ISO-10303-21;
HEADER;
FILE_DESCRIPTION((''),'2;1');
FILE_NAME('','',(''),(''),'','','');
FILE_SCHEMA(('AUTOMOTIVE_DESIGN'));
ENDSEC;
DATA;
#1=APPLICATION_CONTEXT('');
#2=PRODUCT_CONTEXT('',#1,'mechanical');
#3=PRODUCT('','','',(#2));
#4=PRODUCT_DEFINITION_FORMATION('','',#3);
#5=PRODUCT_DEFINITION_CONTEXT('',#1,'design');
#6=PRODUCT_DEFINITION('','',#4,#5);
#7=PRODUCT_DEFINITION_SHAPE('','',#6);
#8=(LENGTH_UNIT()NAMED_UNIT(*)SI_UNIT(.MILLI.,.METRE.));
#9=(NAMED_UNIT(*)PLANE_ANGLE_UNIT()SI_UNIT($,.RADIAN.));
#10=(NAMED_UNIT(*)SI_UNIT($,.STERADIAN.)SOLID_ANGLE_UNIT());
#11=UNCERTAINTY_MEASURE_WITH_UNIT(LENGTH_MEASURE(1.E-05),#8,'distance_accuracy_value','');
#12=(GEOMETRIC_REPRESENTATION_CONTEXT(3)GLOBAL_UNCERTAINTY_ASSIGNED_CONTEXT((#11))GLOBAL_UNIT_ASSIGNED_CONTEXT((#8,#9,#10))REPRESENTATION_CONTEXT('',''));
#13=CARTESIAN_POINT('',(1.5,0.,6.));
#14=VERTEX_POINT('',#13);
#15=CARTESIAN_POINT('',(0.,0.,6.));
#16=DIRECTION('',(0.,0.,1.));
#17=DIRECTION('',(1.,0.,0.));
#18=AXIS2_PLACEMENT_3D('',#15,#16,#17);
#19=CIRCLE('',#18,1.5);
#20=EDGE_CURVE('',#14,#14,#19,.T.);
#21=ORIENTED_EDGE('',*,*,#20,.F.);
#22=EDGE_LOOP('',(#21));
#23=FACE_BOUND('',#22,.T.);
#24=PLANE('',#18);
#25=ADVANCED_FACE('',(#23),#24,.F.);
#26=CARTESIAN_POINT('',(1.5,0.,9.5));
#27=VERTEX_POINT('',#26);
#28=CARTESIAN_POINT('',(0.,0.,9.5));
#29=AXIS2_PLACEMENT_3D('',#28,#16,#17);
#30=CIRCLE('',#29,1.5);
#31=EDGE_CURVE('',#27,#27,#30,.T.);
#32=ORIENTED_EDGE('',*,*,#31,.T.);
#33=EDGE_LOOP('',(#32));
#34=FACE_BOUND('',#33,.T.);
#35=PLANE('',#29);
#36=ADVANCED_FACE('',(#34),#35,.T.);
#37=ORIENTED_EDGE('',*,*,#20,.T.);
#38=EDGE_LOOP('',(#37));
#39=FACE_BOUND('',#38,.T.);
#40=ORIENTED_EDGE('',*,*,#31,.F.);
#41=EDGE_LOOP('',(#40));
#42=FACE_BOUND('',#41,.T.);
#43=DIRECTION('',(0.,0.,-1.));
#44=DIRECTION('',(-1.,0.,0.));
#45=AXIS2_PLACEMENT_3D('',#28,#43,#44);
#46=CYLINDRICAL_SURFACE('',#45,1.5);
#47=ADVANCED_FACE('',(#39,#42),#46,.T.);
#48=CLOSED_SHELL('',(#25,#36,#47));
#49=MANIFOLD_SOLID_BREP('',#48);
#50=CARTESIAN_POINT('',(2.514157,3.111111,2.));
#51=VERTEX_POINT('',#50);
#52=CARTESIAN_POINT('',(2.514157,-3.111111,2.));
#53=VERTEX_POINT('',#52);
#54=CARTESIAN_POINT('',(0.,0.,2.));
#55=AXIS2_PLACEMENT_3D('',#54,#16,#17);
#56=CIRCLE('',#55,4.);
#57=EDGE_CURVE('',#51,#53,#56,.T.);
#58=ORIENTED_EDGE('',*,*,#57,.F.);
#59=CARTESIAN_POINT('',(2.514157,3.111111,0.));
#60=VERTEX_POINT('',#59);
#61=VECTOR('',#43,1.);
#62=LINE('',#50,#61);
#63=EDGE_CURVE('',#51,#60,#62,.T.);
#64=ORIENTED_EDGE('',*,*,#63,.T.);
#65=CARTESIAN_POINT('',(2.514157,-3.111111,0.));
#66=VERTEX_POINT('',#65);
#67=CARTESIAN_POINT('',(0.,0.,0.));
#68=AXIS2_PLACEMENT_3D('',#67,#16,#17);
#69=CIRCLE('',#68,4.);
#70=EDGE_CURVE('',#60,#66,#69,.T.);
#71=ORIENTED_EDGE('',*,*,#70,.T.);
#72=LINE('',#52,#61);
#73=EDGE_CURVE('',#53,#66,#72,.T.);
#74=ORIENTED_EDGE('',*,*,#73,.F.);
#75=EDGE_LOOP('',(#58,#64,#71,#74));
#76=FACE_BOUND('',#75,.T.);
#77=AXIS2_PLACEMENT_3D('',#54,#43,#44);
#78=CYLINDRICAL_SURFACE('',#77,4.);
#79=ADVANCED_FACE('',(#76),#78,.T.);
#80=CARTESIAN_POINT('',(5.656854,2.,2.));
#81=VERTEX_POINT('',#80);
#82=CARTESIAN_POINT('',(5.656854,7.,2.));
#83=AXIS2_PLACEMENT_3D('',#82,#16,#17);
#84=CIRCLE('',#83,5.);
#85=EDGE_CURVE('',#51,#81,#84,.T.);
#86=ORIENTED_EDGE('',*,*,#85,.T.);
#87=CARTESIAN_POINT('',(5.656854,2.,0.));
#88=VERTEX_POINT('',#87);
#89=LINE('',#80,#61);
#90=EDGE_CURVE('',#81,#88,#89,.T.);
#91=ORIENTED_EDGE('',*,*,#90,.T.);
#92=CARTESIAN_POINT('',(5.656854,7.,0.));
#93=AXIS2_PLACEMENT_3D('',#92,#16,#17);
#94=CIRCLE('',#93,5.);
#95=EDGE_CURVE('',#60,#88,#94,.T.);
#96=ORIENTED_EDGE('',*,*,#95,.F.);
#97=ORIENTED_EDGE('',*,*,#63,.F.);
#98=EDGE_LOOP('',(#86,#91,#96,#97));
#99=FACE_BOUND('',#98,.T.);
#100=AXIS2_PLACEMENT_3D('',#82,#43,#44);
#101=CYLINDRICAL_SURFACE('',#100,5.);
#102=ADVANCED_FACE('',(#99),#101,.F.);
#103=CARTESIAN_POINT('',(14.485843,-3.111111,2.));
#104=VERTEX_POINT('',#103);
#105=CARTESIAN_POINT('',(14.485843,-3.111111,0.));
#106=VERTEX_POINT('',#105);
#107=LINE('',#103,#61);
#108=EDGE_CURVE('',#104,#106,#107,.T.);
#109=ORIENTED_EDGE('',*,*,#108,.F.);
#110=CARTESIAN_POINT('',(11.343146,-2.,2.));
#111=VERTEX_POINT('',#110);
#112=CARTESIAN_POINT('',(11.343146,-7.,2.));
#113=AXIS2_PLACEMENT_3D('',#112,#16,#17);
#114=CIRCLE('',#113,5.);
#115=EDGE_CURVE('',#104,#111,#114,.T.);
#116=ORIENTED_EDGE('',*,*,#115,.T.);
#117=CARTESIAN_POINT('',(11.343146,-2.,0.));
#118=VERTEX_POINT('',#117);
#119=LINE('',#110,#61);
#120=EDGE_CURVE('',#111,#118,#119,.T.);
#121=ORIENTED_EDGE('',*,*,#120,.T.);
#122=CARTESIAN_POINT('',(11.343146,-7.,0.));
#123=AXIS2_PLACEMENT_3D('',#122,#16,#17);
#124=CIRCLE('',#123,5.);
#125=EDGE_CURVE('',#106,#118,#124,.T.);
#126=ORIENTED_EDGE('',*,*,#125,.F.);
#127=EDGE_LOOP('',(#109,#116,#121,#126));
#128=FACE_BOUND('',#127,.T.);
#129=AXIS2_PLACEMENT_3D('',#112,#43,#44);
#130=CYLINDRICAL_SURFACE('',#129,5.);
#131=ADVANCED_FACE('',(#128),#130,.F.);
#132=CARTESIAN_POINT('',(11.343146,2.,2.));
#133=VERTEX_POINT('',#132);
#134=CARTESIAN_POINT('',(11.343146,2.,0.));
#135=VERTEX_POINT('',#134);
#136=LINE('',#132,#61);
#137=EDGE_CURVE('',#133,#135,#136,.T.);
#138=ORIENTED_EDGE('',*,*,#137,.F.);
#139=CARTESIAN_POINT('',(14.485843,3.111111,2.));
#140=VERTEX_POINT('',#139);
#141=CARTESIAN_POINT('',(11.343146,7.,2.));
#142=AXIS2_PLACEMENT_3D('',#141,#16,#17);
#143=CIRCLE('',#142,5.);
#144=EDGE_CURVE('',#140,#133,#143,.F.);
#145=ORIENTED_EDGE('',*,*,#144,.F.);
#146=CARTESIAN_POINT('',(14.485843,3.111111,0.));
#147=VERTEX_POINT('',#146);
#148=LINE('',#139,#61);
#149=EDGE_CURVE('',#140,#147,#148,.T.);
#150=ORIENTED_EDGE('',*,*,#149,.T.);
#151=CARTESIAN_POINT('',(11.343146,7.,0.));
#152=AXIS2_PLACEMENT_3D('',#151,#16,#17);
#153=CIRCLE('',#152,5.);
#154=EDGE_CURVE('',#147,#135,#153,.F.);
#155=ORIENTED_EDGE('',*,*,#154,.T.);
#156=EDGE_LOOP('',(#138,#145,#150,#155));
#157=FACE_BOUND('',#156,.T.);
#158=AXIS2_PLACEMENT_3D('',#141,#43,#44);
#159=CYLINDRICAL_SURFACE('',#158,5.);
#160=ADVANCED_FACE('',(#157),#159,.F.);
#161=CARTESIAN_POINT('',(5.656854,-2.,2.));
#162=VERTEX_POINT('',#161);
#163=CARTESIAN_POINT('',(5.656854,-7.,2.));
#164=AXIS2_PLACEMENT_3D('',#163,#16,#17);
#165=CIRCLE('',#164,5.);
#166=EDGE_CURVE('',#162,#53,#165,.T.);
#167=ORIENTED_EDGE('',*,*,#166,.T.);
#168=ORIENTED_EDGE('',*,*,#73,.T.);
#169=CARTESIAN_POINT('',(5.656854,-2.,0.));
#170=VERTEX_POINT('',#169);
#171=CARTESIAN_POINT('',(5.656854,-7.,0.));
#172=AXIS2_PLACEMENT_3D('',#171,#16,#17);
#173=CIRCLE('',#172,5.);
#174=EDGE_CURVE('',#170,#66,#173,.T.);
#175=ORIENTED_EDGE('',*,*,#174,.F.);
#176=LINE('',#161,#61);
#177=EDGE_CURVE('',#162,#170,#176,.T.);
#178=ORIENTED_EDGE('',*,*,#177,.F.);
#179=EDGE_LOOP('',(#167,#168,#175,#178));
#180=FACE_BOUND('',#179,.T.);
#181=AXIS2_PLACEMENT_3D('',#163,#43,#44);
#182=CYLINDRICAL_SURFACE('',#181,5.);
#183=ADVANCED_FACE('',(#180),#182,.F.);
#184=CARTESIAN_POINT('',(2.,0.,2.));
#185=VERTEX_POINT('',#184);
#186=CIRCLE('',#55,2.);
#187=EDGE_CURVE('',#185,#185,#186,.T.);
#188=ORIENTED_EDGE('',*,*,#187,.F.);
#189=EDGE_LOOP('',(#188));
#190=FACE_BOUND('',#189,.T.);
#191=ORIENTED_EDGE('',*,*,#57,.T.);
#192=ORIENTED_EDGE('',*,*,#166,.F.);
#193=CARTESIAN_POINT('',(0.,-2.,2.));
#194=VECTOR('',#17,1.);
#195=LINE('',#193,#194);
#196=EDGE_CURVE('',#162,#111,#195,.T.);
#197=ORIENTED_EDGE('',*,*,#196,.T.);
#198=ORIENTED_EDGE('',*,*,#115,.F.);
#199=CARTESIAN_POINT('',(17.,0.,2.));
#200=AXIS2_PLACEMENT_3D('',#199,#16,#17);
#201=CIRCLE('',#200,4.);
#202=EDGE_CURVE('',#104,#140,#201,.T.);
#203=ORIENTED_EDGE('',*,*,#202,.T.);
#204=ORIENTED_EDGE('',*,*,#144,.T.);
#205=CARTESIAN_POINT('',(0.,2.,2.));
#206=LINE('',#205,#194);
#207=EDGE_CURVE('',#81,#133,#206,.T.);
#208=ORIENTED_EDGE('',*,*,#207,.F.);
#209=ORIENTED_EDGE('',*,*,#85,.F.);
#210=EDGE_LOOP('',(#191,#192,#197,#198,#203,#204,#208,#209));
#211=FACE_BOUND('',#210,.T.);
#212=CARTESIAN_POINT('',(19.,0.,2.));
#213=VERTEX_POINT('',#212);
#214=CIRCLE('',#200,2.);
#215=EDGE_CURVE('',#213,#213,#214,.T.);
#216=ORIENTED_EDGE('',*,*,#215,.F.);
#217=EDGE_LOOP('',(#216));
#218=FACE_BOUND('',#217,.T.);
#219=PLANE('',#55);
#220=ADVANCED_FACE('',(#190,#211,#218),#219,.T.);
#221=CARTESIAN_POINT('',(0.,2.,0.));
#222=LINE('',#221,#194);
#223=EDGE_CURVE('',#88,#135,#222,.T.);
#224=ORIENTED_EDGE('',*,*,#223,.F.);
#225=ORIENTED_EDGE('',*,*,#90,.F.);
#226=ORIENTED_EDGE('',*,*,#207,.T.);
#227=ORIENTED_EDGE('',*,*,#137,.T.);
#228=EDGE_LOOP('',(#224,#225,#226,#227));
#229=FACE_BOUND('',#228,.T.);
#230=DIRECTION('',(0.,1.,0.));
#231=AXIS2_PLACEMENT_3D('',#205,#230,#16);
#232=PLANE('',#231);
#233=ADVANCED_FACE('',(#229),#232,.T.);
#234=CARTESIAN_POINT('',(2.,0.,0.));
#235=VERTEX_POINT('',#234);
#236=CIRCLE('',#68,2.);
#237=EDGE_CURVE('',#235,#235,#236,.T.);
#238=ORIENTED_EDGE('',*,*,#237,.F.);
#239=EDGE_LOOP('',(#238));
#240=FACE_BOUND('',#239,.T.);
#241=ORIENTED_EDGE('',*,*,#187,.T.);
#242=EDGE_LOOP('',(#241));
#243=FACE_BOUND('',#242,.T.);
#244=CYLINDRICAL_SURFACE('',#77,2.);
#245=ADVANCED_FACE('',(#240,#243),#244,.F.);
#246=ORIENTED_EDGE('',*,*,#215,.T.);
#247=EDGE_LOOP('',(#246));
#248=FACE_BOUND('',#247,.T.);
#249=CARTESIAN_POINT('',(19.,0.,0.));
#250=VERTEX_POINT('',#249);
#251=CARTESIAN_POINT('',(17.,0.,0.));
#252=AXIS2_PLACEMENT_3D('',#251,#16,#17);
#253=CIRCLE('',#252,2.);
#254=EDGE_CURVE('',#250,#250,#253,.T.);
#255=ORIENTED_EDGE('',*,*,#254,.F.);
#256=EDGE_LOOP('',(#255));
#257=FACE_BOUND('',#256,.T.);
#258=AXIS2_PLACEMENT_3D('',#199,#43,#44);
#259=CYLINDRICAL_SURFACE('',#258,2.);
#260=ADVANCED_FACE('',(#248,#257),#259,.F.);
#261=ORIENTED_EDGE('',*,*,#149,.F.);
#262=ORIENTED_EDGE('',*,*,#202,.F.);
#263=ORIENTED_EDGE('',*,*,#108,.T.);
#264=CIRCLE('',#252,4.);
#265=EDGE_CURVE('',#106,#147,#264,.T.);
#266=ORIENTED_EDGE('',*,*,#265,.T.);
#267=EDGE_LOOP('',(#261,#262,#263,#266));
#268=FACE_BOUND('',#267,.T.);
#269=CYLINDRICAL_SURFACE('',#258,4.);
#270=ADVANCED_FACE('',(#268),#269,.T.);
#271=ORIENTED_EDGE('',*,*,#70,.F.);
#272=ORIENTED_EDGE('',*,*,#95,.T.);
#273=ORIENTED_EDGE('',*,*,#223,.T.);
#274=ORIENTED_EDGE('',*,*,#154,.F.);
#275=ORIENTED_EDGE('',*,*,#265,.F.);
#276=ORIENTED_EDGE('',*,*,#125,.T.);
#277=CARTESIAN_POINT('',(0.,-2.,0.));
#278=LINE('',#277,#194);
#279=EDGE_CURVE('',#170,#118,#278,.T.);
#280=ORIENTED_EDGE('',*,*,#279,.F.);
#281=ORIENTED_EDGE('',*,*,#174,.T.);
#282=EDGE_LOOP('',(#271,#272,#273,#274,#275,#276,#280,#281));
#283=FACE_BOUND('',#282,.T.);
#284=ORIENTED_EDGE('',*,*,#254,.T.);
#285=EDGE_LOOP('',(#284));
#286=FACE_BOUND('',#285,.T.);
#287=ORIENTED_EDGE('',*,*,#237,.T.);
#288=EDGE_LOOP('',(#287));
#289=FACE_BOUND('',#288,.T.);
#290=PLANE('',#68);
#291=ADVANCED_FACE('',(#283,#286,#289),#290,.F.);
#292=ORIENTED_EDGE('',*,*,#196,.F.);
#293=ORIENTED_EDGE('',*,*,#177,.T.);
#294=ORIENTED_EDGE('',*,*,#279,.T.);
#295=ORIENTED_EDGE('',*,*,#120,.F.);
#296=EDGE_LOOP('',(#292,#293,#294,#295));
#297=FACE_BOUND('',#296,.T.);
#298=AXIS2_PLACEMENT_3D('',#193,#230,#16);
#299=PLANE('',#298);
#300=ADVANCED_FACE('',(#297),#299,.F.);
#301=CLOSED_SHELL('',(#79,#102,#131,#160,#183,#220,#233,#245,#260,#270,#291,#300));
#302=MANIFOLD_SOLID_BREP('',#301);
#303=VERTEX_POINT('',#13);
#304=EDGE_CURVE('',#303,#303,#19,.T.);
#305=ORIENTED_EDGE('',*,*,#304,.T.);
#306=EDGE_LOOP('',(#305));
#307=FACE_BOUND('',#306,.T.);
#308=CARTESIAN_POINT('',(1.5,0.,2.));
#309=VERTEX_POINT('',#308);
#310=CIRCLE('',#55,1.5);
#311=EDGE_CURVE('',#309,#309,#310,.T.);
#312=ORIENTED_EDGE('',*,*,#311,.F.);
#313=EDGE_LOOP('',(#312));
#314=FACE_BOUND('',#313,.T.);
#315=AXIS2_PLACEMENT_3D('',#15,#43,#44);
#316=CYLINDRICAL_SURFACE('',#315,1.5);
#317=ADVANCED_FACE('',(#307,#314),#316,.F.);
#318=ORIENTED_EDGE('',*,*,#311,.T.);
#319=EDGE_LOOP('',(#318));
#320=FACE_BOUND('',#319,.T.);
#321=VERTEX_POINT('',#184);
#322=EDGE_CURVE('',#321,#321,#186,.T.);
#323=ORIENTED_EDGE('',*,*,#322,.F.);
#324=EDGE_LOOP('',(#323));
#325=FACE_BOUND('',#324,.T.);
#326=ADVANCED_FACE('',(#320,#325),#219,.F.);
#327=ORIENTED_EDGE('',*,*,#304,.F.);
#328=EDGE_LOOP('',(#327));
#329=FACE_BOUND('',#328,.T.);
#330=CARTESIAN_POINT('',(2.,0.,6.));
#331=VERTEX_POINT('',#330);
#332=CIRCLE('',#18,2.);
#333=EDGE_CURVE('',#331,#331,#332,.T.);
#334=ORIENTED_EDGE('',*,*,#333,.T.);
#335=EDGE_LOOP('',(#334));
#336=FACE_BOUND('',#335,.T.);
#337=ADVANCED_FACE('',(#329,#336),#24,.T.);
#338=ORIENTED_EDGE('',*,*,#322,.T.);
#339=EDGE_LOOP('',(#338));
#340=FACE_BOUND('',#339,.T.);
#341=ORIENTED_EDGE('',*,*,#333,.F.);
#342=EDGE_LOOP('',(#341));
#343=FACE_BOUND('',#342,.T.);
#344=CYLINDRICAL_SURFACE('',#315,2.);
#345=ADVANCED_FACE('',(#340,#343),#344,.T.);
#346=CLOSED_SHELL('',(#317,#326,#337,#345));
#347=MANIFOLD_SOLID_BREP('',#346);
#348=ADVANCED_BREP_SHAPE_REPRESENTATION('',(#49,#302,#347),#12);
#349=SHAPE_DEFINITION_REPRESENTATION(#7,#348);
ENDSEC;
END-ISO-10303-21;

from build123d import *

# Parameters (mm, degrees)
SKETCH1_R           = 2
BOSS_EXTRUDE1_DEPTH = 2
SKETCH2_R           = 2
SKETCH2_R_2         = 1.5
BOSS_EXTRUDE2_DEPTH = 4
SKETCH3_R           = 1.5
BOSS_EXTRUDE3_DEPTH = 3.5


with BuildPart() as part:
    # Sketch1 → Boss-Extrude1 (new body)
    with BuildSketch(Plane.XY):
        with BuildLine():
            ThreePointArc((5.656854249, -2), (3.990187583, -2.285954792), (2.514157444, -3.111111111))
            ThreePointArc((2.514157444, -3.111111111), (-4, 0), (2.514157444, 3.111111111))
            ThreePointArc((2.514157444, 3.111111111), (3.990187583, 2.285954792), (5.656854249, 2))
            Line((5.656854249, 2), (11.343145751, 2))
            ThreePointArc((11.343145751, 2), (13.009812417, 2.285954792), (14.485842556, 3.111111111))
            ThreePointArc((14.485842556, 3.111111111), (21, 0), (14.485842556, -3.111111111))
            ThreePointArc((14.485842556, -3.111111111), (13.009812417, -2.285954792), (11.343145751, -2))
            Line((11.343145751, -2), (5.656854249, -2))
        make_face()
        with Locations((17, 0)):
            Circle(SKETCH1_R, mode=Mode.SUBTRACT)
        Circle(SKETCH1_R, mode=Mode.SUBTRACT)
    extrude(amount=BOSS_EXTRUDE1_DEPTH)


with BuildPart() as body_2:
    # Sketch2 → Boss-Extrude2 (new body)
    with BuildSketch(Plane.XY.offset(2)):
        Circle(SKETCH2_R)
        Circle(SKETCH2_R_2, mode=Mode.SUBTRACT)
    extrude(amount=BOSS_EXTRUDE2_DEPTH)


with BuildPart() as body_3:
    # Sketch3 → Boss-Extrude3 (new body)
    with BuildSketch(Plane.XY.offset(6)):
        Circle(SKETCH3_R)
    extrude(amount=BOSS_EXTRUDE3_DEPTH)


solid = Compound([part.part, body_2.part, body_3.part])
